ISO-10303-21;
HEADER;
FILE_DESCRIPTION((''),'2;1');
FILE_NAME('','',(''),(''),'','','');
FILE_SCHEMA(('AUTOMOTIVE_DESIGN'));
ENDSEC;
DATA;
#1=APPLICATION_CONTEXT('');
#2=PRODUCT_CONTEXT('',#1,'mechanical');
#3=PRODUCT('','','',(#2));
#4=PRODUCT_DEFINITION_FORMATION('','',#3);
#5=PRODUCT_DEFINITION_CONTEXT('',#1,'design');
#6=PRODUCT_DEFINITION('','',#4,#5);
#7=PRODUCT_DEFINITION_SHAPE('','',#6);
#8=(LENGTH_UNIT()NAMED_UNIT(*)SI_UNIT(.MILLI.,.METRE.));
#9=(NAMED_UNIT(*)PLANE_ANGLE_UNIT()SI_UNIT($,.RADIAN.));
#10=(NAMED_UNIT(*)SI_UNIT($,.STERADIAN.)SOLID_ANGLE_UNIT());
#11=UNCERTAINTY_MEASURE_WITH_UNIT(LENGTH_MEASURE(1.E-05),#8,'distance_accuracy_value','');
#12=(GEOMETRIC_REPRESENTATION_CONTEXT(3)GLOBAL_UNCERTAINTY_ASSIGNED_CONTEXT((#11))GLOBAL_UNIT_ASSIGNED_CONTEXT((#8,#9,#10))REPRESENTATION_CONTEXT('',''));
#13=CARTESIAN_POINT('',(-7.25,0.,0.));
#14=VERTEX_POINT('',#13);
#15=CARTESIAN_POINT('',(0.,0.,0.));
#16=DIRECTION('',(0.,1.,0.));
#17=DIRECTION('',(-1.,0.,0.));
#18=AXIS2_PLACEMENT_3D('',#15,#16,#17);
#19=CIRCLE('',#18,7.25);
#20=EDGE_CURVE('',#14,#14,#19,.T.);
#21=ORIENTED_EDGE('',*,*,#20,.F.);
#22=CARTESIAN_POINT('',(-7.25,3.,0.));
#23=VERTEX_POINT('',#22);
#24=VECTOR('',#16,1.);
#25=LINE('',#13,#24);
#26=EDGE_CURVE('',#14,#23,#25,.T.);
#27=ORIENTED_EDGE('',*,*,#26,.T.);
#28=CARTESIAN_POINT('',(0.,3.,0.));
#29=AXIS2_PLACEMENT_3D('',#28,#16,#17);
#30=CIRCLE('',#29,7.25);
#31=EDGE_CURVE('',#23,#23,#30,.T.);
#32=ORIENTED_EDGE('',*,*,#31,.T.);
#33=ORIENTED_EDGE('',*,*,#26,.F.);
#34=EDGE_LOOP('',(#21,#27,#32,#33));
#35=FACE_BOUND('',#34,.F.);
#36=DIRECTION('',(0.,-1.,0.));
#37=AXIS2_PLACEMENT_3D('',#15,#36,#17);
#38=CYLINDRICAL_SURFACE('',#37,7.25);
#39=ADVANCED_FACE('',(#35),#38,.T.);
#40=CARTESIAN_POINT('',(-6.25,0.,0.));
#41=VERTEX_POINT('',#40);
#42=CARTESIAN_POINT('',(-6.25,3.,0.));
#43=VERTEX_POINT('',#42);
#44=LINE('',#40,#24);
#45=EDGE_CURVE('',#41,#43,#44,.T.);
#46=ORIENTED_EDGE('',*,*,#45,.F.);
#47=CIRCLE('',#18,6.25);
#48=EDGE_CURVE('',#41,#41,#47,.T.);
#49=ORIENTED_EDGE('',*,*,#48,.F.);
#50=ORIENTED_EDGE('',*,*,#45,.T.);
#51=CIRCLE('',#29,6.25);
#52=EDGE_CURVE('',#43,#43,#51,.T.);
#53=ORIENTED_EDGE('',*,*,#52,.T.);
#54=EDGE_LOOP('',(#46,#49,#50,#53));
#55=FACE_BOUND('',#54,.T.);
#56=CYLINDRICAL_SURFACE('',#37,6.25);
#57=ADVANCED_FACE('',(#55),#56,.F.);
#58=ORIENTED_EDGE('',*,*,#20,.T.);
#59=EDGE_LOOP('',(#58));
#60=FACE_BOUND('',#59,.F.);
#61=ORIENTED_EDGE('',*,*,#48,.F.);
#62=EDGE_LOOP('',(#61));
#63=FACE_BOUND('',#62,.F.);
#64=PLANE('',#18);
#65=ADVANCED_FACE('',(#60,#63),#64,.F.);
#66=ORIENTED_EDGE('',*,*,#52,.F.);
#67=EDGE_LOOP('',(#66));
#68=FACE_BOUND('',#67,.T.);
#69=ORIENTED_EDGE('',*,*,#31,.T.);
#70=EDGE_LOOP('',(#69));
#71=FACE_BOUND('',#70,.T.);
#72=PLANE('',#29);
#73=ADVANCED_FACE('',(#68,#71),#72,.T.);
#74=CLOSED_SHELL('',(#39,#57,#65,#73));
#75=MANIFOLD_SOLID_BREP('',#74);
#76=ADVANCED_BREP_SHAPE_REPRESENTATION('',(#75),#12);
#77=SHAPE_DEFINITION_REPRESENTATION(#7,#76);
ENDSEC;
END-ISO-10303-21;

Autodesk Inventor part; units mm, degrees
ref_plane "YZ Plane" through (0, 0, 0) normal (1, 0, 0) x (0, 1, 0)
ref_plane "XZ Plane" through (0, 0, 0) normal (0, 1, 0) x (-1, 0, 0)
ref_plane "XY Plane" through (0, 0, 0) normal (0, 0, 1) x (1, 0, 0)
sketch "Sketch1" plane through (0, 0, 0) normal (0, 1, 0) x (-1, 0, 0)
  circle A0 centre (0, 0) radius 6.25
  circle A1 centre (0, 0) radius 7.25
  dimension "d0" = 12.5
  dimension "d1" = 14.5
extrude "Extrusion1" add sketch "Sketch1" along normal blind 3
properties part number "obrecz"
